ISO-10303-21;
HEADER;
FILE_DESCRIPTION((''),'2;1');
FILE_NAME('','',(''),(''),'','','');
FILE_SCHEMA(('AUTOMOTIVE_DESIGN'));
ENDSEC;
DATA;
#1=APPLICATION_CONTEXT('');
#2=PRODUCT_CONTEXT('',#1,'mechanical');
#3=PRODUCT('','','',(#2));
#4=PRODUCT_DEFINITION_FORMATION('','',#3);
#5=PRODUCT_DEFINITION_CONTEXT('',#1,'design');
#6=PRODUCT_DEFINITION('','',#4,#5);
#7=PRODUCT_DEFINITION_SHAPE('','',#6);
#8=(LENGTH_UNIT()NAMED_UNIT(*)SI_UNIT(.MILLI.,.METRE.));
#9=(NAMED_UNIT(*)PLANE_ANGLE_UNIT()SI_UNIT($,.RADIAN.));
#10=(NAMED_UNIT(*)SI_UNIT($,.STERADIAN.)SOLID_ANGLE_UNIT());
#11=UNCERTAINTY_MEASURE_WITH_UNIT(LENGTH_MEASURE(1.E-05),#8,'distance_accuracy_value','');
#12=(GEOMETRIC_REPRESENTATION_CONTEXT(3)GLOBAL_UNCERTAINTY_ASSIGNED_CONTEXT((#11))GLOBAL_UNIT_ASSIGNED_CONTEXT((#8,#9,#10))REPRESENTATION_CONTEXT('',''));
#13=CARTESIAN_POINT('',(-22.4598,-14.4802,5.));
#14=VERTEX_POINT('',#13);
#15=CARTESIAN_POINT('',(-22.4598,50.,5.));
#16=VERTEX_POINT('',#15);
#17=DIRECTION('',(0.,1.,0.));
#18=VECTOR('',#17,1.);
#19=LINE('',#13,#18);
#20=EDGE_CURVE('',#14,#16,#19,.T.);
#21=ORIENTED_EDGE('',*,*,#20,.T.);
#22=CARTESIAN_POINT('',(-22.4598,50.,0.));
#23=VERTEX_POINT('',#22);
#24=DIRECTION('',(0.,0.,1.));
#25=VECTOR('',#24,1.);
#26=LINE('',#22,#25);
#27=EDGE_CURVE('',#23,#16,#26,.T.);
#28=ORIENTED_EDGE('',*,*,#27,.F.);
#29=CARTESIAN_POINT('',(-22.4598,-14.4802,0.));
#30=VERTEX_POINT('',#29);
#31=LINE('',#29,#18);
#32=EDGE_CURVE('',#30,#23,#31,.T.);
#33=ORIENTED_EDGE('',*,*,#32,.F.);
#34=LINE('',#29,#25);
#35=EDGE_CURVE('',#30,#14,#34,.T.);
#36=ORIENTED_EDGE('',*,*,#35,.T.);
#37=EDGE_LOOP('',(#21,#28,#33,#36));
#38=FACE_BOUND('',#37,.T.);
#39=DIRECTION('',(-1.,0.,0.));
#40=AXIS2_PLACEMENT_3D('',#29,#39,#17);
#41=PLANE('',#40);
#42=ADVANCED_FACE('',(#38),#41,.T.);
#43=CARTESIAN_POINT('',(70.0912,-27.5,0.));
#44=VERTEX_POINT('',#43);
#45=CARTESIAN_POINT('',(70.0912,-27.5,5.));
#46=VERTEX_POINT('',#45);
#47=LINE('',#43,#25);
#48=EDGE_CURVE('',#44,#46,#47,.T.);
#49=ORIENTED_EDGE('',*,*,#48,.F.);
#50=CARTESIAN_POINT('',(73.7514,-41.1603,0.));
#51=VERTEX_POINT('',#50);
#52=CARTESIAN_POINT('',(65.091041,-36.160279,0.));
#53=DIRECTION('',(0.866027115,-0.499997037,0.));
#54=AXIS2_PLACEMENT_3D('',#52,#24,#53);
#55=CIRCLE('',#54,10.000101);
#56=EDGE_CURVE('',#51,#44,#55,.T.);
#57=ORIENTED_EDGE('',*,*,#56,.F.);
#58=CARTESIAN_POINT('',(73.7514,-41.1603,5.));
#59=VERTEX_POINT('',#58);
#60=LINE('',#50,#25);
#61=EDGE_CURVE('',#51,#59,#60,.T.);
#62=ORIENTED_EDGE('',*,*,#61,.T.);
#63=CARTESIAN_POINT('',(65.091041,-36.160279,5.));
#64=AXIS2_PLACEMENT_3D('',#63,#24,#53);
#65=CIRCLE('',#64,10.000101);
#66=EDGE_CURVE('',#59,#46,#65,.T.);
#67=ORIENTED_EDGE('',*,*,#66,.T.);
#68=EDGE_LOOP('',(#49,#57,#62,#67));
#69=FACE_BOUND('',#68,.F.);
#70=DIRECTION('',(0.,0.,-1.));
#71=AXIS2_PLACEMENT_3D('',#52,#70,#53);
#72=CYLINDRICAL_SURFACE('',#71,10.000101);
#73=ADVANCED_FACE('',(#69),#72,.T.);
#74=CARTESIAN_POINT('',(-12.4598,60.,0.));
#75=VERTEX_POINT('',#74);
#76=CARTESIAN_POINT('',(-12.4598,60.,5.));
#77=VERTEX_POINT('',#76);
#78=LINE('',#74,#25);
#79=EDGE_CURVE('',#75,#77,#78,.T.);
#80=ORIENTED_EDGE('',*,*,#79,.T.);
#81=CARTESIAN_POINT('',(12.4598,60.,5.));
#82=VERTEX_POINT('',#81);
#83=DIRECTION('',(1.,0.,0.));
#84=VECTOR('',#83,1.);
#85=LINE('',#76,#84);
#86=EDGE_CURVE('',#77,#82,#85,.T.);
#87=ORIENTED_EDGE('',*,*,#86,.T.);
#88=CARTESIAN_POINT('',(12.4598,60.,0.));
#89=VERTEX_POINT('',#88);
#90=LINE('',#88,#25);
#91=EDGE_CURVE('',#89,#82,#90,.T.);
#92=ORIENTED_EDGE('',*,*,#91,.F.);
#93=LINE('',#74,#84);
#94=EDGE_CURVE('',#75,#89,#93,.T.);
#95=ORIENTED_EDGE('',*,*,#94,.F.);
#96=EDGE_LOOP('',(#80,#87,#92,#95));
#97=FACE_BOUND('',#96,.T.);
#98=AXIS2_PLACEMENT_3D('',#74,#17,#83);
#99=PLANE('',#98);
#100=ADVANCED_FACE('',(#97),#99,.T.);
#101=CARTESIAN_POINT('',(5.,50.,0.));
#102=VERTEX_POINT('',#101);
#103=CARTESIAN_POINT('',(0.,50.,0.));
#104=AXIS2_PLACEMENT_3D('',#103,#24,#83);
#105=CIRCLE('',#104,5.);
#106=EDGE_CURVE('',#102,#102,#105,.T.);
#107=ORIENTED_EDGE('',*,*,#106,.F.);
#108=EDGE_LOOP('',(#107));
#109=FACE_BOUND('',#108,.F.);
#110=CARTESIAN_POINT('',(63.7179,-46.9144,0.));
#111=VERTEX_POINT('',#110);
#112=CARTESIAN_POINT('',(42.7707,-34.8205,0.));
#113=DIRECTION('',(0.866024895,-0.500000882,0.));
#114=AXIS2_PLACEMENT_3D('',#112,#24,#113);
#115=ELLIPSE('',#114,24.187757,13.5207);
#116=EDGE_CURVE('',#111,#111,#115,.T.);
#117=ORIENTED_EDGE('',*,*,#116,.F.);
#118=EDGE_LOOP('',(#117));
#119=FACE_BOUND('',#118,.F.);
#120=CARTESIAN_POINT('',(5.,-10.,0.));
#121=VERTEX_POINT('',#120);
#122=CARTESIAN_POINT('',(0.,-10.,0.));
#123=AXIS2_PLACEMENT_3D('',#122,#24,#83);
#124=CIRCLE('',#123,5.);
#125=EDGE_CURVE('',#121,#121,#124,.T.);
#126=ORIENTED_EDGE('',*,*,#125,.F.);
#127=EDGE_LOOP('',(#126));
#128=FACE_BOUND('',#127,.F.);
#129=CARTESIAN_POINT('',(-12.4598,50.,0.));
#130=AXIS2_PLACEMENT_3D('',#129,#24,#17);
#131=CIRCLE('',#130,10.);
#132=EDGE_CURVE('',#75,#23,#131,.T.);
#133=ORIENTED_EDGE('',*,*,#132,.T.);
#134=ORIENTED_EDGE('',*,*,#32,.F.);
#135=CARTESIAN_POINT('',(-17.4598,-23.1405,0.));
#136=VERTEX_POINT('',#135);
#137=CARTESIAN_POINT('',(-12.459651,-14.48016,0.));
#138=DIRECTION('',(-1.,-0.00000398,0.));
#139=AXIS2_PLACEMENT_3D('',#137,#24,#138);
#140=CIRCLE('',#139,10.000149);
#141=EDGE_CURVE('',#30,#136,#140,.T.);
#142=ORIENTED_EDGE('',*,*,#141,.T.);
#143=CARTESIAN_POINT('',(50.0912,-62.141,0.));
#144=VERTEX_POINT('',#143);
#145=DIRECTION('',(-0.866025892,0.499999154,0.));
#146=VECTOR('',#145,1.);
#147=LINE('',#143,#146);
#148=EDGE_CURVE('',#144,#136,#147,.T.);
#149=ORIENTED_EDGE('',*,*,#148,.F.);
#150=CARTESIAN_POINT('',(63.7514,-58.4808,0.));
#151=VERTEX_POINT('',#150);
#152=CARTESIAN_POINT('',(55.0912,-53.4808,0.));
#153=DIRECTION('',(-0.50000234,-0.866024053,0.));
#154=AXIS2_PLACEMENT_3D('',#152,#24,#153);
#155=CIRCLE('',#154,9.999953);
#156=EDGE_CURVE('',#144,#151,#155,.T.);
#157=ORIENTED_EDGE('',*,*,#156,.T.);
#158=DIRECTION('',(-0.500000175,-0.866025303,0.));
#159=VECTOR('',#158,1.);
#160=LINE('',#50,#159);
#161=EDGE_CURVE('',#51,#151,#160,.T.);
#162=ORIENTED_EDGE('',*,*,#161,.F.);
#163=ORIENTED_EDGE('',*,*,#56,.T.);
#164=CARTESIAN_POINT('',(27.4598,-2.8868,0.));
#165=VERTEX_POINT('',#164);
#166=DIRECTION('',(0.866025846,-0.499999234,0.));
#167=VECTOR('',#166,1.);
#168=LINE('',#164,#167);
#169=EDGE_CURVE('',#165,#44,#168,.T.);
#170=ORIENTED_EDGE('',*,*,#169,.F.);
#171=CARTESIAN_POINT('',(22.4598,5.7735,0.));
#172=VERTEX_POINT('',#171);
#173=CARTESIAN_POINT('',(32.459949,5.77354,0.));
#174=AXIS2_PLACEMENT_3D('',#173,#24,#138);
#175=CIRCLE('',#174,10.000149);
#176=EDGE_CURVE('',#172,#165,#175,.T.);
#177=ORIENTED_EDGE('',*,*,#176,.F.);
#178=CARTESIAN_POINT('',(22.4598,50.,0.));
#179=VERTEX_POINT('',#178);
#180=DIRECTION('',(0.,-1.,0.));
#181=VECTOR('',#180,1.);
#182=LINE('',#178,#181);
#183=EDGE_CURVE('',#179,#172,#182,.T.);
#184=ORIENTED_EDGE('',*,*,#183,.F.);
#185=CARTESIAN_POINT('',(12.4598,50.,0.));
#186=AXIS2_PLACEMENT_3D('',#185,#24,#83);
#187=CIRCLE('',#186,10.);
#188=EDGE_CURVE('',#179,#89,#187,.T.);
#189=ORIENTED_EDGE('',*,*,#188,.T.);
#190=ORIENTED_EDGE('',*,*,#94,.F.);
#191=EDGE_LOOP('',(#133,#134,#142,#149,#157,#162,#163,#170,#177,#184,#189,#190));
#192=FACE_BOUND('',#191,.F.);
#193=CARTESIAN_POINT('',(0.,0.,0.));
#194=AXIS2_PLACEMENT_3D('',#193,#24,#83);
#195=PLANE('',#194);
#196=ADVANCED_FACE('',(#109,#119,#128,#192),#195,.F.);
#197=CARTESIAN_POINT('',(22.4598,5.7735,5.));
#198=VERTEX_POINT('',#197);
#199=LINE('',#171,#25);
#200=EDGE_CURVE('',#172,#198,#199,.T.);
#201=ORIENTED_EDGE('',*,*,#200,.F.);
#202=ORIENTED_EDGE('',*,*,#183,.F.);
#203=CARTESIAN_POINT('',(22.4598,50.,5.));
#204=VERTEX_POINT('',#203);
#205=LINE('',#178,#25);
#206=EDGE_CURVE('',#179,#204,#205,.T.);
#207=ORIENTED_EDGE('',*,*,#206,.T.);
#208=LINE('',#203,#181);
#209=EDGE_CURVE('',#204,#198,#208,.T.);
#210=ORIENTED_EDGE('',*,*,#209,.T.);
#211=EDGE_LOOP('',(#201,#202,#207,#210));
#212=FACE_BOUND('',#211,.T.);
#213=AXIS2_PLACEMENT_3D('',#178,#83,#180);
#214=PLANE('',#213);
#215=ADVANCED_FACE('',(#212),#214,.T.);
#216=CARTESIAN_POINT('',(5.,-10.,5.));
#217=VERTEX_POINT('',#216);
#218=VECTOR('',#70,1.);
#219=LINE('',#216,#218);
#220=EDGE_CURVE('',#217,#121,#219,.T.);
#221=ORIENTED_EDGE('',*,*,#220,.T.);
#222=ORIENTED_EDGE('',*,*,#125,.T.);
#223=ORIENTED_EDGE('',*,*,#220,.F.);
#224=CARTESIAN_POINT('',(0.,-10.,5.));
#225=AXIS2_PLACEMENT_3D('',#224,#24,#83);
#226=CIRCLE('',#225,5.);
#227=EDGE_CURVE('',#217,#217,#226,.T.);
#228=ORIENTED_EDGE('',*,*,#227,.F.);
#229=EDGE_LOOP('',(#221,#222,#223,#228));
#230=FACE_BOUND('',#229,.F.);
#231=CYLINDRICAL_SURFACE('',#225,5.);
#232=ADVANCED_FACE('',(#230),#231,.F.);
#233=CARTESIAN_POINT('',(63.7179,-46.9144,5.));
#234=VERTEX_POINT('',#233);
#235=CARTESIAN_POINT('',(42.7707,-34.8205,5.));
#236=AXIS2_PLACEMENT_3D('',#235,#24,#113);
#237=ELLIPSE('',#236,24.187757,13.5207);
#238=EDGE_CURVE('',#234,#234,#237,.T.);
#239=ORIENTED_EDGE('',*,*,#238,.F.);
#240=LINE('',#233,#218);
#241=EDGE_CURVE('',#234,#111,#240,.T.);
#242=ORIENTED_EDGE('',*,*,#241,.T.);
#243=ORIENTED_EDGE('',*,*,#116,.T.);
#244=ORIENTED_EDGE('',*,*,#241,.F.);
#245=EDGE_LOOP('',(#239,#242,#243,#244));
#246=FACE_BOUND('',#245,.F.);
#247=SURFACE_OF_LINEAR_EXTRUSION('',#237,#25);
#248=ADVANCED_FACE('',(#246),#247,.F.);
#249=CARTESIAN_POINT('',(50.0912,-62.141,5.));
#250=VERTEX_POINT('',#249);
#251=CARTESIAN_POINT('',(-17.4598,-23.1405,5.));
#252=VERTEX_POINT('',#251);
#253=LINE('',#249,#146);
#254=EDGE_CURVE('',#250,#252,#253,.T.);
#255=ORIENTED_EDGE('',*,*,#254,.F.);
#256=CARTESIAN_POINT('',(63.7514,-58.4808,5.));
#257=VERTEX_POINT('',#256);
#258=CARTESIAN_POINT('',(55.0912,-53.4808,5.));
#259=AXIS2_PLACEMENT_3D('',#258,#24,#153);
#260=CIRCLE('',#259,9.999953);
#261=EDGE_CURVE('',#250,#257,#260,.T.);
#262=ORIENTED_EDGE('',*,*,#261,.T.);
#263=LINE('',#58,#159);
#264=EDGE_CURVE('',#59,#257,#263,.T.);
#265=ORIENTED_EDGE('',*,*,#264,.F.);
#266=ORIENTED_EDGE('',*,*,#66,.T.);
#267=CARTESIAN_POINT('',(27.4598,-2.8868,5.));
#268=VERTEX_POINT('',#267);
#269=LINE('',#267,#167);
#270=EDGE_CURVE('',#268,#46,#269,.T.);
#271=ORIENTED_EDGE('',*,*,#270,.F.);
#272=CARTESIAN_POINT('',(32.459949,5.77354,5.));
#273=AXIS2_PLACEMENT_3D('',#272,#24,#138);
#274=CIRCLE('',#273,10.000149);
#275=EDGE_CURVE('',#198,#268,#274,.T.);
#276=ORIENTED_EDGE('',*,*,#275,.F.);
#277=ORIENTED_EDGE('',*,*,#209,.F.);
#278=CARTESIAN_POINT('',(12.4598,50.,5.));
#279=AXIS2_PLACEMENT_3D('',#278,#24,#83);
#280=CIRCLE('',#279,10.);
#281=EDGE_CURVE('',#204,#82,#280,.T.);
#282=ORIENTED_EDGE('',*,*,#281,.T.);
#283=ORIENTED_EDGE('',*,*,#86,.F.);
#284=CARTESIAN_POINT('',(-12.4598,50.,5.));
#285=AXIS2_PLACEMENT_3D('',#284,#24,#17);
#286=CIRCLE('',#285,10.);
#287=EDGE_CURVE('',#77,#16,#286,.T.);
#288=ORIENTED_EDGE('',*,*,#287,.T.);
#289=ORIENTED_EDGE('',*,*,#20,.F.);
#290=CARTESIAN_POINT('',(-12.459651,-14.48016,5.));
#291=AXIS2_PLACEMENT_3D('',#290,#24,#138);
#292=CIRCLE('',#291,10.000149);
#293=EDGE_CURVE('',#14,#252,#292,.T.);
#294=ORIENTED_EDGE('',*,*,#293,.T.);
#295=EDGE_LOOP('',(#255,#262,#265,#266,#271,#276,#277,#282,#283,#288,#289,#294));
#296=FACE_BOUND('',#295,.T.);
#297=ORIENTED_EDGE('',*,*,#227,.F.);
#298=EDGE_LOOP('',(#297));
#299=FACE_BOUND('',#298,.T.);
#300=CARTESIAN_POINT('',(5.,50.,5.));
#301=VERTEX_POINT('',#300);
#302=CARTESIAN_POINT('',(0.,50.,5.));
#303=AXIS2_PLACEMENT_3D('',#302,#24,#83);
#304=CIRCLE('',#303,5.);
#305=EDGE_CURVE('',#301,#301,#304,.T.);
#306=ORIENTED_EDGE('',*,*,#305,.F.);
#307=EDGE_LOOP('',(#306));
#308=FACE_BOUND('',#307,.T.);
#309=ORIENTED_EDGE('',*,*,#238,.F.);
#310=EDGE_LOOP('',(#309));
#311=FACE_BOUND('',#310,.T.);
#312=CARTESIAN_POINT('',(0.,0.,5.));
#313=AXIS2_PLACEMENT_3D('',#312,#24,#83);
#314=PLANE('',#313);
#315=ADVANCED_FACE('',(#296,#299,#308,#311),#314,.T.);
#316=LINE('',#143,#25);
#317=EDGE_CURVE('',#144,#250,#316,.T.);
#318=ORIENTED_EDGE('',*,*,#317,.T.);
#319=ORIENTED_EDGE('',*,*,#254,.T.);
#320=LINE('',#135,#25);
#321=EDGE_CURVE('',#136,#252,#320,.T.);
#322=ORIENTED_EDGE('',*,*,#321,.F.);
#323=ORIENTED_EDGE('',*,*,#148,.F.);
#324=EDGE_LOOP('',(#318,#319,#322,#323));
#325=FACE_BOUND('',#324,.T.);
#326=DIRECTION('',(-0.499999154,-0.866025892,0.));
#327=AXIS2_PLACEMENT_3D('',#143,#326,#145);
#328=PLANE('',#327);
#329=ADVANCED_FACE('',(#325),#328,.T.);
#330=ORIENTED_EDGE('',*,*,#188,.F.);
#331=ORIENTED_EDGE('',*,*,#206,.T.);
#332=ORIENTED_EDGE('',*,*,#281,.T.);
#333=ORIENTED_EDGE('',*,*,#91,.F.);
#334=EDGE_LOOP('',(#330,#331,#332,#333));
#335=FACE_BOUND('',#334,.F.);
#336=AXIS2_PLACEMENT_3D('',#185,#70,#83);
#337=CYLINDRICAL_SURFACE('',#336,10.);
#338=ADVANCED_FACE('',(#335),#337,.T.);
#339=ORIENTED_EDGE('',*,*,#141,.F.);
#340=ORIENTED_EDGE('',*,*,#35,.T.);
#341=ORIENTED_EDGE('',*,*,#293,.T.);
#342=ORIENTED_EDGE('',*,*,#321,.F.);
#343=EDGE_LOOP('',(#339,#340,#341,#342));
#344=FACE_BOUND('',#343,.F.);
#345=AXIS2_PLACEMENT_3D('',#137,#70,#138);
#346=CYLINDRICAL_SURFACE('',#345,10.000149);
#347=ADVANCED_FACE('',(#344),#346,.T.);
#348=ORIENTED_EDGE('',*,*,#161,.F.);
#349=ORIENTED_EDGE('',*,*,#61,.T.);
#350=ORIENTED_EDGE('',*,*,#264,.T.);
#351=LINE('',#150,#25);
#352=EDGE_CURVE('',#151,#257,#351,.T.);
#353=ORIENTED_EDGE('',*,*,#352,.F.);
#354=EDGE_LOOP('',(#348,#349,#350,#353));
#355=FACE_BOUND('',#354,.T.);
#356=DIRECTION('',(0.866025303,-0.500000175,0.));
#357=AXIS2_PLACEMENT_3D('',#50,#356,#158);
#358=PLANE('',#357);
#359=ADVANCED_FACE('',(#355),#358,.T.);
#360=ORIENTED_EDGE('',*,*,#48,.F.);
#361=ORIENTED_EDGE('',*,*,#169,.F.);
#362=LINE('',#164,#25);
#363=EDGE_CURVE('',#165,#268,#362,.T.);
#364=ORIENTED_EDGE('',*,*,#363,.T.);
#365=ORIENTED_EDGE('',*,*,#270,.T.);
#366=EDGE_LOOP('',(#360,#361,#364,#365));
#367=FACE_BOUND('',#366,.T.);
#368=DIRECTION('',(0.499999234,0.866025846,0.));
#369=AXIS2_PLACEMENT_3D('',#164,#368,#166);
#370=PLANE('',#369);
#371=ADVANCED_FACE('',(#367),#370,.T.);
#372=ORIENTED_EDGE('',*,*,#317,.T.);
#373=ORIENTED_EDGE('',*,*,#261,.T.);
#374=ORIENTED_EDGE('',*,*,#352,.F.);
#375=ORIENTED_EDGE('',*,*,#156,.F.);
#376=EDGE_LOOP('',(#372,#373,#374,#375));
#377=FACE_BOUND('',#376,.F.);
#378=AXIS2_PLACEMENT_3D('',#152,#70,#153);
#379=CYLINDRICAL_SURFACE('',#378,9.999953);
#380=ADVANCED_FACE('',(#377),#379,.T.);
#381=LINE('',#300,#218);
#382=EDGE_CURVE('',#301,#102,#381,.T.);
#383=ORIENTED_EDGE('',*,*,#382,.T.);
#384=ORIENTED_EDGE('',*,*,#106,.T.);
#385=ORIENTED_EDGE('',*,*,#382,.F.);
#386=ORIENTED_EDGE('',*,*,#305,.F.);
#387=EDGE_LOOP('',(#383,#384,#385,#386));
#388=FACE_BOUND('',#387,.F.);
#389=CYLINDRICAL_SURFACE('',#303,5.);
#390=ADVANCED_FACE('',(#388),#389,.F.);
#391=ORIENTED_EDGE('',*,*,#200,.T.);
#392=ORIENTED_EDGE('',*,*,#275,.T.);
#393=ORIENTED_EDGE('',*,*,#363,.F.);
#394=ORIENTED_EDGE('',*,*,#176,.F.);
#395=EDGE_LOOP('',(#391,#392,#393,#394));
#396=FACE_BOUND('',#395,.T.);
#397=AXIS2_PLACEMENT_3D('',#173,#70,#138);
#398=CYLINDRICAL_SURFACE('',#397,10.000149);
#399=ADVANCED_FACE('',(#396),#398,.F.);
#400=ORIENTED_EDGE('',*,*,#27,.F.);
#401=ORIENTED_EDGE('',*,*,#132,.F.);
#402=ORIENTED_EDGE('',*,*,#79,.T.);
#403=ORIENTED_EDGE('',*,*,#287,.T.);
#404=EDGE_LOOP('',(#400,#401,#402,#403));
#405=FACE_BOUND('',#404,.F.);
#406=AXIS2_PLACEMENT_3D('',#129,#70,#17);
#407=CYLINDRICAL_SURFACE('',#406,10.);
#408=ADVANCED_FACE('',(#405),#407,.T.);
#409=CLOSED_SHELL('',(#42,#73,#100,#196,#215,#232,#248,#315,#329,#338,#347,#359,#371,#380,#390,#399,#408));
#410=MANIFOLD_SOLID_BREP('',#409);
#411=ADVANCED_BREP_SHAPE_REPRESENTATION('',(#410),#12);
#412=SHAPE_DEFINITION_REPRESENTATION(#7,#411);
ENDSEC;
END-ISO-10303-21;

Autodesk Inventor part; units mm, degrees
ref_plane "YZ Plane" through (0, 0, 0) normal (1, 0, 0) x (0, 1, 0)
ref_plane "XZ Plane" through (0, 0, 0) normal (0, 1, 0) x (-1, 0, 0)
ref_plane "XY Plane" through (0, 0, 0) normal (0, 0, 1) x (1, 0, 0)
sketch "Sketch1" plane through (0, 0, 0) normal (0, 0, 1) x (1, 0, 0)
  line L0 (-12.4598, 60) -> (12.4598, 60)
  line L1 (-22.4598, -14.4802) -> (-22.4598, 50)
  arc A0 (-12.4598, 60) -> (-22.4598, 50) centre (-12.4598, 50) ccw
  arc A1 (22.4598, 50) -> (12.4598, 60) centre (12.4598, 50) ccw
  line L2 (27.4598, -2.8868) -> (70.0912, -27.5)
  line L3 (22.4598, 0) -> (71.6863, 0) construction
  line L4 (73.7514, -41.1603) -> (63.7514, -58.4808)
  line L5 (50.0912, -62.141) -> (-17.4598, -23.1405)
  line L6 (22.4598, 50) -> (22.4598, 5.7735)
  arc A2 (-22.4598, -14.4802) -> (-17.4598, -23.1405) centre (-12.4598, -14.4802) ccw
  arc A3 (22.4598, 5.7735) -> (27.4598, -2.8868) centre (32.4598, 5.7735) ccw
  arc A4 (73.7514, -41.1603) -> (70.0912, -27.5) centre (65.0912, -36.1603) ccw
  arc A5 (50.0912, -62.141) -> (63.7514, -58.4808) centre (55.0912, -53.4808) ccw
  point P0 (0, 0)
  point P1 (0, 60)
  point P2 (78.7514, -32.5)
  point P3 (58.7514, -67.141)
  dimension "d0" = 10
  dimension "d11" = 65
  dimension "d12" = 30
  dimension "d13" = 40
  dimension "d14" = 10
extrude "Extrusion1" add sketch "Sketch1" along normal blind 5
sketch "Sketch2" plane through (0, 0, 5) normal (0, 0, 1) x (1, 0, 0)
  circle A0 centre (0, 50) radius 5
  line L0 (-22.4598, 50) -> (-22.4598, -14.4802) construction
  line L1 (-22.4598, 17.7599) -> (22.4598, 27.8868) construction
  line L2 (22.4598, 5.7735) -> (22.4598, 50) construction
  line L3 (12.4598, 60) -> (-12.4598, 60) projected
  circle A1 centre (0, -10) radius 5
  line L4 (63.7514, -58.4808) -> (73.7514, -41.1603) projected
  ellipse E0 centre (42.7707, -34.8205) end of major axis (63.7179, -46.9144) minor radius 13.5207
  line L5 (70.0912, -27.5) -> (27.4598, -2.8868) projected
  point P0 (0, 0)
  point P1 (0, 22.8233)
  dimension "d5" = 10
  dimension "d7" = 10
  dimension "d15" = 10
  dimension "d16" = 10
  dimension "d19" = 30
  dimension "d20" = 20
extrude "Extrusion2" cut sketch "Sketch2" against normal up to surface (5 mm away)
properties part number "base"
